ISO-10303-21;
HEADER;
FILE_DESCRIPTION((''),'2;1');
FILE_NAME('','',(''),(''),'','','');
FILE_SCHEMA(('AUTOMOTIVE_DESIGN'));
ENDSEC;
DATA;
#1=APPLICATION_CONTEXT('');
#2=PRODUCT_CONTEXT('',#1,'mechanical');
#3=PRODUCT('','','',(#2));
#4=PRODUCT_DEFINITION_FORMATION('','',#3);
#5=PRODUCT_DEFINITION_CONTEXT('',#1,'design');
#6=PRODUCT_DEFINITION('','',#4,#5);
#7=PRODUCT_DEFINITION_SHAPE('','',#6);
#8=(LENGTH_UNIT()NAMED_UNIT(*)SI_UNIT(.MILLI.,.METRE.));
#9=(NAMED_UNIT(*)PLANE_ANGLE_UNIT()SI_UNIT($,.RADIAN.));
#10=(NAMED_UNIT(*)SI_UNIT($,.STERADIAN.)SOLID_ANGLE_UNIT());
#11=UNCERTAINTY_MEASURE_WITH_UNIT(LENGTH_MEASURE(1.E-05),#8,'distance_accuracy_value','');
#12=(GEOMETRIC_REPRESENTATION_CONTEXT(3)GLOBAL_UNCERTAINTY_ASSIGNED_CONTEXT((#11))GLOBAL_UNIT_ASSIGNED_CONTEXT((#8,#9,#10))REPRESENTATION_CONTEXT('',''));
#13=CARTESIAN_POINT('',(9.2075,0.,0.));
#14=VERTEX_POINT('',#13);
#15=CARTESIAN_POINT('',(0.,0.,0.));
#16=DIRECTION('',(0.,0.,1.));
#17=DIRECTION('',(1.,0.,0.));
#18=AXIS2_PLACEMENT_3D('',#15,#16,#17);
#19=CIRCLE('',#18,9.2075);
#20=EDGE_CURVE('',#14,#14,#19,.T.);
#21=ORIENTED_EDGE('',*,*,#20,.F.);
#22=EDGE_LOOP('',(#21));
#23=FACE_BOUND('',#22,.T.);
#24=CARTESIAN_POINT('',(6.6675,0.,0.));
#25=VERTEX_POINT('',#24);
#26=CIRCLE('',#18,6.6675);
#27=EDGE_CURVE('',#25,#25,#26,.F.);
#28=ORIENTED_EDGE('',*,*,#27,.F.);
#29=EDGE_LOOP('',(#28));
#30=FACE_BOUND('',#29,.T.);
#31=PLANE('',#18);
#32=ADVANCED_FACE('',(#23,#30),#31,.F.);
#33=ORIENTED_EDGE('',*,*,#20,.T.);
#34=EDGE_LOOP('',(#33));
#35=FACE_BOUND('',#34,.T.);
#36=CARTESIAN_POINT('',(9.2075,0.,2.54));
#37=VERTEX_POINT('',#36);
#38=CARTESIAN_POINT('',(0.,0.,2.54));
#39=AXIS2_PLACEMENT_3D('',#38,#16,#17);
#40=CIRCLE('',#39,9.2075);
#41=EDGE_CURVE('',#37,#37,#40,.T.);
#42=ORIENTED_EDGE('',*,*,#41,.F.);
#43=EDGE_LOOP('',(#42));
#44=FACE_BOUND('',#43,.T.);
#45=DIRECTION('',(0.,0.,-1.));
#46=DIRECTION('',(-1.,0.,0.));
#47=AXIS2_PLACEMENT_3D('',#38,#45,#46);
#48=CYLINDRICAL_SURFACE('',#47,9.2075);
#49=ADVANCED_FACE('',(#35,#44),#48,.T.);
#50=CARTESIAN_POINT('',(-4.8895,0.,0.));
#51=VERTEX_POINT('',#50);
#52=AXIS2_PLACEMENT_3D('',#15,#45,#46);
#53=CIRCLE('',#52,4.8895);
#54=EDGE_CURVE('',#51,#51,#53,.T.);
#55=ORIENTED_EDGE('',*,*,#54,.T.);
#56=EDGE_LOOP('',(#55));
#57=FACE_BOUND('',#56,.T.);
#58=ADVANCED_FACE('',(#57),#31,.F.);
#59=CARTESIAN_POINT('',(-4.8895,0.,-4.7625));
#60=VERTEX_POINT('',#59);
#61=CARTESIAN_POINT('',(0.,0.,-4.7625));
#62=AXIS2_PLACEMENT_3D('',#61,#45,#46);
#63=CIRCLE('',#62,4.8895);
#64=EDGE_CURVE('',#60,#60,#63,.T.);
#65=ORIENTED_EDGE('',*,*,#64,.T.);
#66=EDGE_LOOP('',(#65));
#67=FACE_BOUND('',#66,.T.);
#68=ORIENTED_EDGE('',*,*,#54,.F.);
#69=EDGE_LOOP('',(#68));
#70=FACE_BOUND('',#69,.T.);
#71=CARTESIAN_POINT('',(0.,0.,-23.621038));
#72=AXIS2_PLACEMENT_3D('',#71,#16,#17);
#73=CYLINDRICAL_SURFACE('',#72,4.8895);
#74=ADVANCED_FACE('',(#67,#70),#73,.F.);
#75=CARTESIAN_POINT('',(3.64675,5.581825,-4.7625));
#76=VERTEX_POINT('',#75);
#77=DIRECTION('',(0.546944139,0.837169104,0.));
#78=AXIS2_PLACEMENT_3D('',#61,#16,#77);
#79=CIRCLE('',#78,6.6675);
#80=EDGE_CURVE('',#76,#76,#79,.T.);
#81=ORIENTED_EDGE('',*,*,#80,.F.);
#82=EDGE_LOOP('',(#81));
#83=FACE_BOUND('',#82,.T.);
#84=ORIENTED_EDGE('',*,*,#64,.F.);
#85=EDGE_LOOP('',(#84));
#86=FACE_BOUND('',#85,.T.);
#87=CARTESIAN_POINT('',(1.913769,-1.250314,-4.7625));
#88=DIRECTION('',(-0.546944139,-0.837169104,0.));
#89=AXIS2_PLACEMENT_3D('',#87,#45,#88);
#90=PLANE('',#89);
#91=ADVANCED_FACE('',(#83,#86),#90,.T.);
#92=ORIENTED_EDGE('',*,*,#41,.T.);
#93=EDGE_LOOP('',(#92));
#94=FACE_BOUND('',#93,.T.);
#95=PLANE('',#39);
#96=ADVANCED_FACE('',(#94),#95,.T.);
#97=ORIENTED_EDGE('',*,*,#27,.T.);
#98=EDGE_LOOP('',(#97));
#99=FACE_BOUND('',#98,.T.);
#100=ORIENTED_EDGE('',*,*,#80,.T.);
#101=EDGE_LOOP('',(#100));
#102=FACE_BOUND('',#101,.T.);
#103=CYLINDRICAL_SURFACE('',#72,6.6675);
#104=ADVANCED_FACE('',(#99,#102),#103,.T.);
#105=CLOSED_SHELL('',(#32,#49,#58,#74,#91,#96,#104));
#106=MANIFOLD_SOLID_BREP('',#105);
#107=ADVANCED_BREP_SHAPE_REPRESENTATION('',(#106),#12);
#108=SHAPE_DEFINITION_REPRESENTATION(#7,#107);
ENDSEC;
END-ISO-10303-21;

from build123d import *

# Parameters (mm, degrees)
SKETCH1_R           = 9.2075
BOSS_EXTRUDE1_DEPTH = 2.54
SKETCH2_R           = 6.6675
SKETCH2_R_2         = 4.8895
BOSS_EXTRUDE2_DEPTH = 4.7625


with BuildPart() as part:
    # Sketch1 → Boss-Extrude1 (new body)
    with BuildSketch(Plane.XY):
        Circle(SKETCH1_R)
    extrude(amount=BOSS_EXTRUDE1_DEPTH)

    # Sketch2 → Boss-Extrude2 (add)
    with BuildSketch(Plane(origin=(0, 0, 0), x_dir=(-1, 0, 0), z_dir=(0, 0, -1))):
        Circle(SKETCH2_R)
        Circle(SKETCH2_R_2, mode=Mode.SUBTRACT)
    extrude(amount=BOSS_EXTRUDE2_DEPTH)


solid = part.part
